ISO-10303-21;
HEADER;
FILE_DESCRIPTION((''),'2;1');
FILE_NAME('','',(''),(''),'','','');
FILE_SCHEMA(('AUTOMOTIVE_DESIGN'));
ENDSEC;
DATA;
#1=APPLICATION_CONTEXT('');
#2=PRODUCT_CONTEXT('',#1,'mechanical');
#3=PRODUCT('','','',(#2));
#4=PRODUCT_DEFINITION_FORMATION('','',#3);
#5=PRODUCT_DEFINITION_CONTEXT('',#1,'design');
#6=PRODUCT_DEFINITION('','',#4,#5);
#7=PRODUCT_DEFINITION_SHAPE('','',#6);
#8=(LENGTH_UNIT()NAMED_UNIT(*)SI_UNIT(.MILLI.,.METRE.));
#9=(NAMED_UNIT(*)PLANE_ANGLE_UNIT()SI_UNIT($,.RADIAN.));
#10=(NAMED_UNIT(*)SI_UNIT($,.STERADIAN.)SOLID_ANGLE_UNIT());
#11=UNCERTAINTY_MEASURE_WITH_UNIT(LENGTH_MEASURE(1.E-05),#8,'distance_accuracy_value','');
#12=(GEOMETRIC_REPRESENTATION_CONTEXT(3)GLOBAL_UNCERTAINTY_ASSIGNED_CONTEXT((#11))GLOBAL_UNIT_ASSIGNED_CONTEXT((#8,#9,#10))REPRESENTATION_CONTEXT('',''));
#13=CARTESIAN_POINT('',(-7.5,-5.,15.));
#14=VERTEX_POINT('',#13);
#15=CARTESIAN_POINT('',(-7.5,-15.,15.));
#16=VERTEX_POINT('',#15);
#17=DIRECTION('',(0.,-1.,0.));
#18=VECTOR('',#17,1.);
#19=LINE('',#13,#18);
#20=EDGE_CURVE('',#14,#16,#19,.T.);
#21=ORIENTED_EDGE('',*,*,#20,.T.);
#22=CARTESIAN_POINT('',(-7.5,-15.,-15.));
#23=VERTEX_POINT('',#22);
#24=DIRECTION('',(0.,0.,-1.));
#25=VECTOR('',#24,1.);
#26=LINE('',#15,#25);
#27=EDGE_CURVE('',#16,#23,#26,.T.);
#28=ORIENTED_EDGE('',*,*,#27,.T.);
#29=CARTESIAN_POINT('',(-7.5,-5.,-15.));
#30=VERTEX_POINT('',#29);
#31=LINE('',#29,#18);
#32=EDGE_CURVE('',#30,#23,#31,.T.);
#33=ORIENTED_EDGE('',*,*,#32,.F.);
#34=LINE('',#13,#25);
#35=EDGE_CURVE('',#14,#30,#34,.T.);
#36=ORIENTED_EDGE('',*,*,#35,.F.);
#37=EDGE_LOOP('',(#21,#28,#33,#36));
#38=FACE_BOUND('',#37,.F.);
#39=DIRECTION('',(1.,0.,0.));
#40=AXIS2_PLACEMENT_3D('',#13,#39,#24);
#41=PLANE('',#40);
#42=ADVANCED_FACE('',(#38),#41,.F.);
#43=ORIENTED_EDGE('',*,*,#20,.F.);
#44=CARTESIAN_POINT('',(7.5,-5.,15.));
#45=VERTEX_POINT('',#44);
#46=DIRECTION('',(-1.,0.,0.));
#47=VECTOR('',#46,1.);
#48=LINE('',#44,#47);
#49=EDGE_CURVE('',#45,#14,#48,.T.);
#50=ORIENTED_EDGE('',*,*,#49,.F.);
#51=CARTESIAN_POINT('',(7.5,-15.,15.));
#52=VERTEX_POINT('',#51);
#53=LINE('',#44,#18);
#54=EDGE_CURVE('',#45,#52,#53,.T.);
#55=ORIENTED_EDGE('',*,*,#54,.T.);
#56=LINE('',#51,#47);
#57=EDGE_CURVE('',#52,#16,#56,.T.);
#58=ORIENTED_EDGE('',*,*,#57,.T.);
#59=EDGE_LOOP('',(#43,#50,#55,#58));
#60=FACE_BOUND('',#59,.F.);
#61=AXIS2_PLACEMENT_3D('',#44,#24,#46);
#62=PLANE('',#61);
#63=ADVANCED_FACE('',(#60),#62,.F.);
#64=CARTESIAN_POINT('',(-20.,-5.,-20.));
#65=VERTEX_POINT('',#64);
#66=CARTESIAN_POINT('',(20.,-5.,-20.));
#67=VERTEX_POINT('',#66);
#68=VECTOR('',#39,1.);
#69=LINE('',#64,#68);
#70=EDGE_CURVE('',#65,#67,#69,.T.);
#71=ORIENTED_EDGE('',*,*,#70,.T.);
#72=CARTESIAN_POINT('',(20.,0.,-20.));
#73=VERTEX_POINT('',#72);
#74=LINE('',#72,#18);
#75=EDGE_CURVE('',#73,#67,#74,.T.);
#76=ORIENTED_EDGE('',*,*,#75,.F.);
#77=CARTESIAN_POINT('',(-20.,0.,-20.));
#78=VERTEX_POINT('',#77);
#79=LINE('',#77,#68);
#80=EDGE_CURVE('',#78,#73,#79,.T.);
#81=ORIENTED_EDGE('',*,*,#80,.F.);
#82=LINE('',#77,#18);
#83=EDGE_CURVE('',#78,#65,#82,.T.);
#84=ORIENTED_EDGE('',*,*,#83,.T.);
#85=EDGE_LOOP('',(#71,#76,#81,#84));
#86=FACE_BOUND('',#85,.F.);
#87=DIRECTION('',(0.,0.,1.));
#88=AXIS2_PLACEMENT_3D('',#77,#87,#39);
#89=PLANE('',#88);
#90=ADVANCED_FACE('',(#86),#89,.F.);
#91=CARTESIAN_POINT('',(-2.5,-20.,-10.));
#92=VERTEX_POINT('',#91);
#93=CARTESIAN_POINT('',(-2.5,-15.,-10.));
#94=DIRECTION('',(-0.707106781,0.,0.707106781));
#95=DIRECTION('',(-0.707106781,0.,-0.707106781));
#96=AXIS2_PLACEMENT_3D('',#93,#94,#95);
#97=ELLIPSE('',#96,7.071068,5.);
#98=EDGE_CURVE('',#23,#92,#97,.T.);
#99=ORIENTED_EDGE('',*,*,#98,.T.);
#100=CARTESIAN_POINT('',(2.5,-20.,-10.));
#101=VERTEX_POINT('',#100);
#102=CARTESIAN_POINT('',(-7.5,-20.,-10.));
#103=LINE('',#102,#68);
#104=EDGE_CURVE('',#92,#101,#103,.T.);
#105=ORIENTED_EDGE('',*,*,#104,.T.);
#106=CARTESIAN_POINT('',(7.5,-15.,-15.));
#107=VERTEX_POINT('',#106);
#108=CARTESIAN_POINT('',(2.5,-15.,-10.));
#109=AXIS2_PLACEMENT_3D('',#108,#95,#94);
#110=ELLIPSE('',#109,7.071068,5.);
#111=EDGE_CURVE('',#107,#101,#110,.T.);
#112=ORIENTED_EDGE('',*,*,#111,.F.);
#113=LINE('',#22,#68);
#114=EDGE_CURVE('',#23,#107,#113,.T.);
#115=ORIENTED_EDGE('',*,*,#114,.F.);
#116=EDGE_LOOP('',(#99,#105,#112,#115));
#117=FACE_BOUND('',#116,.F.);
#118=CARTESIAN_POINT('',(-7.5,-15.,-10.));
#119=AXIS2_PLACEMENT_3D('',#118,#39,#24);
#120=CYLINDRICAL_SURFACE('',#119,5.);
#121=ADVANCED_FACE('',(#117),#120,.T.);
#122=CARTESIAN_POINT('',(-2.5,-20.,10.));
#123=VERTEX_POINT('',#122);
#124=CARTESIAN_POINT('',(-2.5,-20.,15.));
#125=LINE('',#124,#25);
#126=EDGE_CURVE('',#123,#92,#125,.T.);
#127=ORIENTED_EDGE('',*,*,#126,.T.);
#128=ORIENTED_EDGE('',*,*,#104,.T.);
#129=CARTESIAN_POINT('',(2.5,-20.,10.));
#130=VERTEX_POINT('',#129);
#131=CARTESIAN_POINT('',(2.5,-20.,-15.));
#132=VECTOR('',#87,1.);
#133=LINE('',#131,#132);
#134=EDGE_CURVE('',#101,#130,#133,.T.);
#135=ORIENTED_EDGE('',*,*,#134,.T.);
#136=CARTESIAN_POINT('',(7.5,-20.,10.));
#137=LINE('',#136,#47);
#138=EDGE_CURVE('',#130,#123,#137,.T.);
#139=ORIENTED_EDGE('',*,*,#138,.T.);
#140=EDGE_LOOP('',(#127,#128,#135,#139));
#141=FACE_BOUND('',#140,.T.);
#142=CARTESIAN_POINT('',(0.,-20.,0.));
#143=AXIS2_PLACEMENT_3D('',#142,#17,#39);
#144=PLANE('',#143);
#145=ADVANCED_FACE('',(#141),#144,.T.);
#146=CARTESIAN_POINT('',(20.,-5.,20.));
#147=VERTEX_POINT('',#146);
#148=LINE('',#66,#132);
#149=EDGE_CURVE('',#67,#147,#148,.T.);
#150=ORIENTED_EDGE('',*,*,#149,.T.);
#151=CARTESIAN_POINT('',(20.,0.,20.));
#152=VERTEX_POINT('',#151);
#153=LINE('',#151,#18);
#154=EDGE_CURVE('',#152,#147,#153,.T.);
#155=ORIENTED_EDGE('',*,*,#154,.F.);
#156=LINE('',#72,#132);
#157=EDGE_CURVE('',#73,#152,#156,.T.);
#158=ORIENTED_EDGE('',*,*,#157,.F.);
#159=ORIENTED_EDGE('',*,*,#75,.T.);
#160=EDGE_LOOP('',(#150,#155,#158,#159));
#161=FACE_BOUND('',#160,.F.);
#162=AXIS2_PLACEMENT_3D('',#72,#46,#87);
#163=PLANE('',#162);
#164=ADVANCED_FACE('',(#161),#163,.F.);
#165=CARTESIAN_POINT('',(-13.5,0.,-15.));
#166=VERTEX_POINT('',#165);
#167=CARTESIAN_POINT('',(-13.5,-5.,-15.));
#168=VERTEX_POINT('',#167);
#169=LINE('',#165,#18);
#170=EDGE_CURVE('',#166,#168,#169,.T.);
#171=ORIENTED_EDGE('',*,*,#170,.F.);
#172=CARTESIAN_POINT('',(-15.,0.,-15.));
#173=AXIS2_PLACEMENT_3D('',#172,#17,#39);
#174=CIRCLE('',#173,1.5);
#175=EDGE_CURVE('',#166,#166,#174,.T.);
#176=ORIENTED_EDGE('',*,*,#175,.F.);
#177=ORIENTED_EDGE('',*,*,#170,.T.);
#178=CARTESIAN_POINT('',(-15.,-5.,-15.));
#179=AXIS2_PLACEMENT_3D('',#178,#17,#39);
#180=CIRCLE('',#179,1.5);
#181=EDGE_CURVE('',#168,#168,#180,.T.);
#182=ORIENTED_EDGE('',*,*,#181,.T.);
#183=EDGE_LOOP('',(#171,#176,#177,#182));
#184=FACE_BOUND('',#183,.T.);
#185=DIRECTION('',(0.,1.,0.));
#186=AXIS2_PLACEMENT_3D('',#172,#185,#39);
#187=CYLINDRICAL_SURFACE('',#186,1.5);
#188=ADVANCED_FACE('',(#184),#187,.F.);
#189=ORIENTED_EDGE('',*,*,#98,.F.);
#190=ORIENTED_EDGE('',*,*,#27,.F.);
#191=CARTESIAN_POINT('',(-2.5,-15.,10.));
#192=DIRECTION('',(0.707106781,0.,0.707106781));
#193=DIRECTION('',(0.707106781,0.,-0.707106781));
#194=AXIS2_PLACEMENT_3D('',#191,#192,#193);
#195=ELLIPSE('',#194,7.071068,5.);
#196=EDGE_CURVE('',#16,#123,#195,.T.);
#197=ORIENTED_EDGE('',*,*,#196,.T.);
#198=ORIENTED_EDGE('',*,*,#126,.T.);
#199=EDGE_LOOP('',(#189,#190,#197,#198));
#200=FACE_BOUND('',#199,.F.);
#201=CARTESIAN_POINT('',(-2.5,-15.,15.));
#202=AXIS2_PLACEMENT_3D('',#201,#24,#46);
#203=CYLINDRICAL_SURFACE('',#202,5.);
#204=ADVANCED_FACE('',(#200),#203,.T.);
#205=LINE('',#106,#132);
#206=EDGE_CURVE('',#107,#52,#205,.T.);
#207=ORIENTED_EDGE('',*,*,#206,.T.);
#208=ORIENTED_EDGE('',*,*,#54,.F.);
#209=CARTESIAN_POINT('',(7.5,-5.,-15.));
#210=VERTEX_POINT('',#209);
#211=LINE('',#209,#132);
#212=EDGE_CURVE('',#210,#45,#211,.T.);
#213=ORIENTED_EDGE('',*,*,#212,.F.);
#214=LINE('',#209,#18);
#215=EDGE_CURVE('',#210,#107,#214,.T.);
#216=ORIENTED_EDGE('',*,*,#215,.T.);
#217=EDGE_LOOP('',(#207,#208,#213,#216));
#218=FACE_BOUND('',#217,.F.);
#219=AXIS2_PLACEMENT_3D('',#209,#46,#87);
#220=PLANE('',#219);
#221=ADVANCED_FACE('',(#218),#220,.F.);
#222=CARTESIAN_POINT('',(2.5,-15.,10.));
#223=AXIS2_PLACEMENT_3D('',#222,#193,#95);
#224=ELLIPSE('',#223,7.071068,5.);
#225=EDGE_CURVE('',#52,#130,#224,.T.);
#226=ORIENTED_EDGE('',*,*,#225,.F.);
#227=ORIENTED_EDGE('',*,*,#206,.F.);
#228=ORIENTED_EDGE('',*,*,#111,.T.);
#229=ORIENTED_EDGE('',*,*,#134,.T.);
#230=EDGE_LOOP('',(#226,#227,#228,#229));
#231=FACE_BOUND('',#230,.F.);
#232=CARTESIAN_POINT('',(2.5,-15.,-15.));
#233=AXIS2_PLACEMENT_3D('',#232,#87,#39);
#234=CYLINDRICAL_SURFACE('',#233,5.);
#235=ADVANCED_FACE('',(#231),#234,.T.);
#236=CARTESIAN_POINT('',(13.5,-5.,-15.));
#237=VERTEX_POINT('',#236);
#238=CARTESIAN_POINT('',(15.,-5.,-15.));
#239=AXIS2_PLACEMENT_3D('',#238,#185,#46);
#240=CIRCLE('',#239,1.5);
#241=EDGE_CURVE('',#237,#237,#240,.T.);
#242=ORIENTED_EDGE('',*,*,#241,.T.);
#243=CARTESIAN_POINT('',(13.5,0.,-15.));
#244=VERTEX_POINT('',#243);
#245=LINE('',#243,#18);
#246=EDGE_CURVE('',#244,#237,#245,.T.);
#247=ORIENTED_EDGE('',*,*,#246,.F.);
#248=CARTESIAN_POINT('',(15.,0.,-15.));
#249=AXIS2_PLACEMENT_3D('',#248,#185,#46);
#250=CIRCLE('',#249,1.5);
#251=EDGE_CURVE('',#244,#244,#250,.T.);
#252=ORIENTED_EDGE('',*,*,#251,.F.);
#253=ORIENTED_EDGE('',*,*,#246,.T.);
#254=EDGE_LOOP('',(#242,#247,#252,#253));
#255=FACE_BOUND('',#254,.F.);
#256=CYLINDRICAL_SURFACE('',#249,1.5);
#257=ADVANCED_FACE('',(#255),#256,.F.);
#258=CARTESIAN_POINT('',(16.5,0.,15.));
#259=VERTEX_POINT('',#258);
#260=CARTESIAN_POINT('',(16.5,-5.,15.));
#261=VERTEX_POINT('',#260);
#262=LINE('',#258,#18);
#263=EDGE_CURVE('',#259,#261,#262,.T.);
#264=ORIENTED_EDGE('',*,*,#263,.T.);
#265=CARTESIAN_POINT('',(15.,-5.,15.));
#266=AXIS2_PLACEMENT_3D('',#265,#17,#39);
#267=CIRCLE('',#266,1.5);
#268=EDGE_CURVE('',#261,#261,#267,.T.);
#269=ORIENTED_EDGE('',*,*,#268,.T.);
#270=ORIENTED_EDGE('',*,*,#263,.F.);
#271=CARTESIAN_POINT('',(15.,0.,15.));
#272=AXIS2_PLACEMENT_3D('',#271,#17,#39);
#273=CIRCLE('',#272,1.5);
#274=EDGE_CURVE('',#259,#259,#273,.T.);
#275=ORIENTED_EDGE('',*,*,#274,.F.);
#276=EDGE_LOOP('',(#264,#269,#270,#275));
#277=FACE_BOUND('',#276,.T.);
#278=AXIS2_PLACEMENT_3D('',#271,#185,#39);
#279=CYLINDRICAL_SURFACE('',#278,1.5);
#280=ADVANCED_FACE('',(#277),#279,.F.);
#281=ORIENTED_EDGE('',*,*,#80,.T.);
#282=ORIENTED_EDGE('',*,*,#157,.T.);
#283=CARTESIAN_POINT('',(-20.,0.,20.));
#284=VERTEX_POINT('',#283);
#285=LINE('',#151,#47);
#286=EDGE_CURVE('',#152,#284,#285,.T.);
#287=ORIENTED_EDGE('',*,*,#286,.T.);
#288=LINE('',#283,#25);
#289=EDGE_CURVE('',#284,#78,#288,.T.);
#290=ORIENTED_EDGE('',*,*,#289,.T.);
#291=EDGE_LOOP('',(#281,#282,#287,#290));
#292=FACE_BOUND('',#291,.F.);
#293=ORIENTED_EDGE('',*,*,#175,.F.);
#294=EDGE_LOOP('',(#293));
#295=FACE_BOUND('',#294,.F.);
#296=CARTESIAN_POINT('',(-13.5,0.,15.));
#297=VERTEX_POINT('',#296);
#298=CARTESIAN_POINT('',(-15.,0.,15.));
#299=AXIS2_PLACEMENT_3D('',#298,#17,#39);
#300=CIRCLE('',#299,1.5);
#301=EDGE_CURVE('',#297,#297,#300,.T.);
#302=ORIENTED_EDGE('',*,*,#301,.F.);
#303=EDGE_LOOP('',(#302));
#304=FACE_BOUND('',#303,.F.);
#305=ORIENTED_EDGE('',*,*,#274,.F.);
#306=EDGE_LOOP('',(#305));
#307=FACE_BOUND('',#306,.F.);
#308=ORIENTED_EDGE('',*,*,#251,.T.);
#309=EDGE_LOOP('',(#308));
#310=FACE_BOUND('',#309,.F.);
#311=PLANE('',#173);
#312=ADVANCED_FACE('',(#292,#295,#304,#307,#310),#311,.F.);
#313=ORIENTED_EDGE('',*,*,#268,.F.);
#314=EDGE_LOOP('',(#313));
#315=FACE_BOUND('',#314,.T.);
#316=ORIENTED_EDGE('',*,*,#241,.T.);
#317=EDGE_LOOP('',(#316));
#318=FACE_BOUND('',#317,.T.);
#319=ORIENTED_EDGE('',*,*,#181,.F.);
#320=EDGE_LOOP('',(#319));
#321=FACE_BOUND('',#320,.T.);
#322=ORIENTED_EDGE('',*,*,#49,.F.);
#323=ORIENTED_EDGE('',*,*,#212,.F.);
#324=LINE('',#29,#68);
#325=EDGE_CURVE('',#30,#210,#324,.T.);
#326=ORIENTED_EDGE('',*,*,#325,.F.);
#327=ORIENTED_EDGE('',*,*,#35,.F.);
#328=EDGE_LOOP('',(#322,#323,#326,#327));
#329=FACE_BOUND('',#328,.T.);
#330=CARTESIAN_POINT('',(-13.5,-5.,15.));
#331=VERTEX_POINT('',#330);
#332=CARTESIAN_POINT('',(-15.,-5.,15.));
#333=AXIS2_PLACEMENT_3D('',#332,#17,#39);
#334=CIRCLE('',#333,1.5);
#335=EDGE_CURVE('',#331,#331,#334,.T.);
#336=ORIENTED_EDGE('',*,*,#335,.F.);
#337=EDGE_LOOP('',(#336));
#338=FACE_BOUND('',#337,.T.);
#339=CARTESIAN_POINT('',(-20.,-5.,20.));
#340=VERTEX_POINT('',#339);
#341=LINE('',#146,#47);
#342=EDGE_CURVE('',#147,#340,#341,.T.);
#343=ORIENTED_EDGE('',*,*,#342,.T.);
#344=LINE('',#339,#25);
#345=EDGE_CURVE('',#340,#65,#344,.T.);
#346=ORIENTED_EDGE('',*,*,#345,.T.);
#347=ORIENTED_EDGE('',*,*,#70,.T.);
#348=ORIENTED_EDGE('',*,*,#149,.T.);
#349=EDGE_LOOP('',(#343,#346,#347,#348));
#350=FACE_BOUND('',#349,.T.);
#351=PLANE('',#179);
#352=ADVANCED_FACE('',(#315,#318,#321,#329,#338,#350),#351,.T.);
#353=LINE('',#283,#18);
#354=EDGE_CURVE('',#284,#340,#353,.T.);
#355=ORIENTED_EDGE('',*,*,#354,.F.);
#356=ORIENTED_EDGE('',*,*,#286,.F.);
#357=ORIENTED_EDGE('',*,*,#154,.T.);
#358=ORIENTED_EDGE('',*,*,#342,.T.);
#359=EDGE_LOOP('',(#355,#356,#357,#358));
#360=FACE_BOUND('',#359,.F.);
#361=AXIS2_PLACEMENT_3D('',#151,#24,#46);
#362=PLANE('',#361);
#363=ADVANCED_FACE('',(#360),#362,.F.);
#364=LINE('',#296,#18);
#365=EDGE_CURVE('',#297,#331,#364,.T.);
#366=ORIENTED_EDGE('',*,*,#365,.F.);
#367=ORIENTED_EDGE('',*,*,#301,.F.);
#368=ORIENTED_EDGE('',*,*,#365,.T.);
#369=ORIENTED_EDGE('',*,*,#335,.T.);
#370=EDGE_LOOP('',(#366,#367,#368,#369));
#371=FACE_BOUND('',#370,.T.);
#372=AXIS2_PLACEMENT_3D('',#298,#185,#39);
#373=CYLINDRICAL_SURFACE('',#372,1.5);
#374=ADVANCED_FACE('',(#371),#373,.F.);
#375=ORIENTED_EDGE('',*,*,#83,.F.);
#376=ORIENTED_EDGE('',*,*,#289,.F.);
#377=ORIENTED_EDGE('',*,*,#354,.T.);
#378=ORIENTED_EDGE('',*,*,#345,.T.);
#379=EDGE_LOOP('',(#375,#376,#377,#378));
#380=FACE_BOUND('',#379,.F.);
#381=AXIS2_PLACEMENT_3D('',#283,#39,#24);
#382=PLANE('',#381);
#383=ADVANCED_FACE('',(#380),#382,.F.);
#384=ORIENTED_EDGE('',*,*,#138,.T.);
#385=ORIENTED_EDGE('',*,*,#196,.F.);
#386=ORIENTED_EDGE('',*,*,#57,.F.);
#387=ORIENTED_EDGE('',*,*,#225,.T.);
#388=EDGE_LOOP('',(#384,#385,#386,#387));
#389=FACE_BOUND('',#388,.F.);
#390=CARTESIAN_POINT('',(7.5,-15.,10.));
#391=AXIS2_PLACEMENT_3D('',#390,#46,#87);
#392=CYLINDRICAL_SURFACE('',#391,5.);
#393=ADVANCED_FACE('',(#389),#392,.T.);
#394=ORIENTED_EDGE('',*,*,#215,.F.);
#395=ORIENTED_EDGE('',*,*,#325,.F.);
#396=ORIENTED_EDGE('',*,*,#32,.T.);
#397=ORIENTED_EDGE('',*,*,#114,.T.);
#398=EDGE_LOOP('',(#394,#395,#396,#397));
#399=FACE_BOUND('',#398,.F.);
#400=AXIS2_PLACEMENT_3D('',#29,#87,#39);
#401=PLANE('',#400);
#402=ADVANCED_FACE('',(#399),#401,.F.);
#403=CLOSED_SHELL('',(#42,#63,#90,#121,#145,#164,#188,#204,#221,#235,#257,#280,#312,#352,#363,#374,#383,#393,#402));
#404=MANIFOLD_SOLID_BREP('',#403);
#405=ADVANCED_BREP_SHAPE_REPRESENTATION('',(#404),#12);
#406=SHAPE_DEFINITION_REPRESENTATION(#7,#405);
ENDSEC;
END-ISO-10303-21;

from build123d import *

# Parameters (mm, degrees)
F0_R     = 1.5
F1_DEPTH = 5
F3_DEPTH = 15
F4_R     = 5


with BuildPart() as f1:
    # F0 (on Front) → F1 (new body)
    with BuildSketch(Plane.XZ):
        with Locations((-15, -15)):
            Circle(F0_R)
        with BuildLine():
            ThreePointArc((16.5, -15), (15, -13.5), (13.5, -15))
            ThreePointArc((13.5, -15), (15, -16.5), (16.5, -15))
        make_face()
        Polygon((-20, 20), (-20, 0), (-20, -20), (20, -20), (20, 20), align=None)
        with Locations((-15, -15)):
            Circle(F0_R, mode=Mode.SUBTRACT)
        with BuildLine():
            ThreePointArc((16.5, -15), (15, -16.5), (13.5, -15))
            ThreePointArc((13.5, -15), (15, -13.5), (16.5, -15))
        make_face(mode=Mode.SUBTRACT)
        with Locations((-15, 15)):
            Circle(F0_R, mode=Mode.SUBTRACT)
        with Locations((15, 15)):
            Circle(F0_R, mode=Mode.SUBTRACT)
    extrude(amount=F1_DEPTH)

    # F2 (on face) → F3 (join)
    with BuildSketch(Plane.XZ.offset(5)):
        Polygon((7.5, 15), (0, 15), (-7.5, 15), (-7.5, -15), (7.5, -15), align=None)
    extrude(amount=F3_DEPTH)

    # F4
    f4_edges = [f1.edges().sort_by_distance(p)[0] for p in [
        (-7.5, -20, 0),
        (0, -20, 15),
        (7.5, -20, 0),
        (0, -20, -15),
    ]]
    fillet(f4_edges, radius=F4_R)


solid = f1.part
